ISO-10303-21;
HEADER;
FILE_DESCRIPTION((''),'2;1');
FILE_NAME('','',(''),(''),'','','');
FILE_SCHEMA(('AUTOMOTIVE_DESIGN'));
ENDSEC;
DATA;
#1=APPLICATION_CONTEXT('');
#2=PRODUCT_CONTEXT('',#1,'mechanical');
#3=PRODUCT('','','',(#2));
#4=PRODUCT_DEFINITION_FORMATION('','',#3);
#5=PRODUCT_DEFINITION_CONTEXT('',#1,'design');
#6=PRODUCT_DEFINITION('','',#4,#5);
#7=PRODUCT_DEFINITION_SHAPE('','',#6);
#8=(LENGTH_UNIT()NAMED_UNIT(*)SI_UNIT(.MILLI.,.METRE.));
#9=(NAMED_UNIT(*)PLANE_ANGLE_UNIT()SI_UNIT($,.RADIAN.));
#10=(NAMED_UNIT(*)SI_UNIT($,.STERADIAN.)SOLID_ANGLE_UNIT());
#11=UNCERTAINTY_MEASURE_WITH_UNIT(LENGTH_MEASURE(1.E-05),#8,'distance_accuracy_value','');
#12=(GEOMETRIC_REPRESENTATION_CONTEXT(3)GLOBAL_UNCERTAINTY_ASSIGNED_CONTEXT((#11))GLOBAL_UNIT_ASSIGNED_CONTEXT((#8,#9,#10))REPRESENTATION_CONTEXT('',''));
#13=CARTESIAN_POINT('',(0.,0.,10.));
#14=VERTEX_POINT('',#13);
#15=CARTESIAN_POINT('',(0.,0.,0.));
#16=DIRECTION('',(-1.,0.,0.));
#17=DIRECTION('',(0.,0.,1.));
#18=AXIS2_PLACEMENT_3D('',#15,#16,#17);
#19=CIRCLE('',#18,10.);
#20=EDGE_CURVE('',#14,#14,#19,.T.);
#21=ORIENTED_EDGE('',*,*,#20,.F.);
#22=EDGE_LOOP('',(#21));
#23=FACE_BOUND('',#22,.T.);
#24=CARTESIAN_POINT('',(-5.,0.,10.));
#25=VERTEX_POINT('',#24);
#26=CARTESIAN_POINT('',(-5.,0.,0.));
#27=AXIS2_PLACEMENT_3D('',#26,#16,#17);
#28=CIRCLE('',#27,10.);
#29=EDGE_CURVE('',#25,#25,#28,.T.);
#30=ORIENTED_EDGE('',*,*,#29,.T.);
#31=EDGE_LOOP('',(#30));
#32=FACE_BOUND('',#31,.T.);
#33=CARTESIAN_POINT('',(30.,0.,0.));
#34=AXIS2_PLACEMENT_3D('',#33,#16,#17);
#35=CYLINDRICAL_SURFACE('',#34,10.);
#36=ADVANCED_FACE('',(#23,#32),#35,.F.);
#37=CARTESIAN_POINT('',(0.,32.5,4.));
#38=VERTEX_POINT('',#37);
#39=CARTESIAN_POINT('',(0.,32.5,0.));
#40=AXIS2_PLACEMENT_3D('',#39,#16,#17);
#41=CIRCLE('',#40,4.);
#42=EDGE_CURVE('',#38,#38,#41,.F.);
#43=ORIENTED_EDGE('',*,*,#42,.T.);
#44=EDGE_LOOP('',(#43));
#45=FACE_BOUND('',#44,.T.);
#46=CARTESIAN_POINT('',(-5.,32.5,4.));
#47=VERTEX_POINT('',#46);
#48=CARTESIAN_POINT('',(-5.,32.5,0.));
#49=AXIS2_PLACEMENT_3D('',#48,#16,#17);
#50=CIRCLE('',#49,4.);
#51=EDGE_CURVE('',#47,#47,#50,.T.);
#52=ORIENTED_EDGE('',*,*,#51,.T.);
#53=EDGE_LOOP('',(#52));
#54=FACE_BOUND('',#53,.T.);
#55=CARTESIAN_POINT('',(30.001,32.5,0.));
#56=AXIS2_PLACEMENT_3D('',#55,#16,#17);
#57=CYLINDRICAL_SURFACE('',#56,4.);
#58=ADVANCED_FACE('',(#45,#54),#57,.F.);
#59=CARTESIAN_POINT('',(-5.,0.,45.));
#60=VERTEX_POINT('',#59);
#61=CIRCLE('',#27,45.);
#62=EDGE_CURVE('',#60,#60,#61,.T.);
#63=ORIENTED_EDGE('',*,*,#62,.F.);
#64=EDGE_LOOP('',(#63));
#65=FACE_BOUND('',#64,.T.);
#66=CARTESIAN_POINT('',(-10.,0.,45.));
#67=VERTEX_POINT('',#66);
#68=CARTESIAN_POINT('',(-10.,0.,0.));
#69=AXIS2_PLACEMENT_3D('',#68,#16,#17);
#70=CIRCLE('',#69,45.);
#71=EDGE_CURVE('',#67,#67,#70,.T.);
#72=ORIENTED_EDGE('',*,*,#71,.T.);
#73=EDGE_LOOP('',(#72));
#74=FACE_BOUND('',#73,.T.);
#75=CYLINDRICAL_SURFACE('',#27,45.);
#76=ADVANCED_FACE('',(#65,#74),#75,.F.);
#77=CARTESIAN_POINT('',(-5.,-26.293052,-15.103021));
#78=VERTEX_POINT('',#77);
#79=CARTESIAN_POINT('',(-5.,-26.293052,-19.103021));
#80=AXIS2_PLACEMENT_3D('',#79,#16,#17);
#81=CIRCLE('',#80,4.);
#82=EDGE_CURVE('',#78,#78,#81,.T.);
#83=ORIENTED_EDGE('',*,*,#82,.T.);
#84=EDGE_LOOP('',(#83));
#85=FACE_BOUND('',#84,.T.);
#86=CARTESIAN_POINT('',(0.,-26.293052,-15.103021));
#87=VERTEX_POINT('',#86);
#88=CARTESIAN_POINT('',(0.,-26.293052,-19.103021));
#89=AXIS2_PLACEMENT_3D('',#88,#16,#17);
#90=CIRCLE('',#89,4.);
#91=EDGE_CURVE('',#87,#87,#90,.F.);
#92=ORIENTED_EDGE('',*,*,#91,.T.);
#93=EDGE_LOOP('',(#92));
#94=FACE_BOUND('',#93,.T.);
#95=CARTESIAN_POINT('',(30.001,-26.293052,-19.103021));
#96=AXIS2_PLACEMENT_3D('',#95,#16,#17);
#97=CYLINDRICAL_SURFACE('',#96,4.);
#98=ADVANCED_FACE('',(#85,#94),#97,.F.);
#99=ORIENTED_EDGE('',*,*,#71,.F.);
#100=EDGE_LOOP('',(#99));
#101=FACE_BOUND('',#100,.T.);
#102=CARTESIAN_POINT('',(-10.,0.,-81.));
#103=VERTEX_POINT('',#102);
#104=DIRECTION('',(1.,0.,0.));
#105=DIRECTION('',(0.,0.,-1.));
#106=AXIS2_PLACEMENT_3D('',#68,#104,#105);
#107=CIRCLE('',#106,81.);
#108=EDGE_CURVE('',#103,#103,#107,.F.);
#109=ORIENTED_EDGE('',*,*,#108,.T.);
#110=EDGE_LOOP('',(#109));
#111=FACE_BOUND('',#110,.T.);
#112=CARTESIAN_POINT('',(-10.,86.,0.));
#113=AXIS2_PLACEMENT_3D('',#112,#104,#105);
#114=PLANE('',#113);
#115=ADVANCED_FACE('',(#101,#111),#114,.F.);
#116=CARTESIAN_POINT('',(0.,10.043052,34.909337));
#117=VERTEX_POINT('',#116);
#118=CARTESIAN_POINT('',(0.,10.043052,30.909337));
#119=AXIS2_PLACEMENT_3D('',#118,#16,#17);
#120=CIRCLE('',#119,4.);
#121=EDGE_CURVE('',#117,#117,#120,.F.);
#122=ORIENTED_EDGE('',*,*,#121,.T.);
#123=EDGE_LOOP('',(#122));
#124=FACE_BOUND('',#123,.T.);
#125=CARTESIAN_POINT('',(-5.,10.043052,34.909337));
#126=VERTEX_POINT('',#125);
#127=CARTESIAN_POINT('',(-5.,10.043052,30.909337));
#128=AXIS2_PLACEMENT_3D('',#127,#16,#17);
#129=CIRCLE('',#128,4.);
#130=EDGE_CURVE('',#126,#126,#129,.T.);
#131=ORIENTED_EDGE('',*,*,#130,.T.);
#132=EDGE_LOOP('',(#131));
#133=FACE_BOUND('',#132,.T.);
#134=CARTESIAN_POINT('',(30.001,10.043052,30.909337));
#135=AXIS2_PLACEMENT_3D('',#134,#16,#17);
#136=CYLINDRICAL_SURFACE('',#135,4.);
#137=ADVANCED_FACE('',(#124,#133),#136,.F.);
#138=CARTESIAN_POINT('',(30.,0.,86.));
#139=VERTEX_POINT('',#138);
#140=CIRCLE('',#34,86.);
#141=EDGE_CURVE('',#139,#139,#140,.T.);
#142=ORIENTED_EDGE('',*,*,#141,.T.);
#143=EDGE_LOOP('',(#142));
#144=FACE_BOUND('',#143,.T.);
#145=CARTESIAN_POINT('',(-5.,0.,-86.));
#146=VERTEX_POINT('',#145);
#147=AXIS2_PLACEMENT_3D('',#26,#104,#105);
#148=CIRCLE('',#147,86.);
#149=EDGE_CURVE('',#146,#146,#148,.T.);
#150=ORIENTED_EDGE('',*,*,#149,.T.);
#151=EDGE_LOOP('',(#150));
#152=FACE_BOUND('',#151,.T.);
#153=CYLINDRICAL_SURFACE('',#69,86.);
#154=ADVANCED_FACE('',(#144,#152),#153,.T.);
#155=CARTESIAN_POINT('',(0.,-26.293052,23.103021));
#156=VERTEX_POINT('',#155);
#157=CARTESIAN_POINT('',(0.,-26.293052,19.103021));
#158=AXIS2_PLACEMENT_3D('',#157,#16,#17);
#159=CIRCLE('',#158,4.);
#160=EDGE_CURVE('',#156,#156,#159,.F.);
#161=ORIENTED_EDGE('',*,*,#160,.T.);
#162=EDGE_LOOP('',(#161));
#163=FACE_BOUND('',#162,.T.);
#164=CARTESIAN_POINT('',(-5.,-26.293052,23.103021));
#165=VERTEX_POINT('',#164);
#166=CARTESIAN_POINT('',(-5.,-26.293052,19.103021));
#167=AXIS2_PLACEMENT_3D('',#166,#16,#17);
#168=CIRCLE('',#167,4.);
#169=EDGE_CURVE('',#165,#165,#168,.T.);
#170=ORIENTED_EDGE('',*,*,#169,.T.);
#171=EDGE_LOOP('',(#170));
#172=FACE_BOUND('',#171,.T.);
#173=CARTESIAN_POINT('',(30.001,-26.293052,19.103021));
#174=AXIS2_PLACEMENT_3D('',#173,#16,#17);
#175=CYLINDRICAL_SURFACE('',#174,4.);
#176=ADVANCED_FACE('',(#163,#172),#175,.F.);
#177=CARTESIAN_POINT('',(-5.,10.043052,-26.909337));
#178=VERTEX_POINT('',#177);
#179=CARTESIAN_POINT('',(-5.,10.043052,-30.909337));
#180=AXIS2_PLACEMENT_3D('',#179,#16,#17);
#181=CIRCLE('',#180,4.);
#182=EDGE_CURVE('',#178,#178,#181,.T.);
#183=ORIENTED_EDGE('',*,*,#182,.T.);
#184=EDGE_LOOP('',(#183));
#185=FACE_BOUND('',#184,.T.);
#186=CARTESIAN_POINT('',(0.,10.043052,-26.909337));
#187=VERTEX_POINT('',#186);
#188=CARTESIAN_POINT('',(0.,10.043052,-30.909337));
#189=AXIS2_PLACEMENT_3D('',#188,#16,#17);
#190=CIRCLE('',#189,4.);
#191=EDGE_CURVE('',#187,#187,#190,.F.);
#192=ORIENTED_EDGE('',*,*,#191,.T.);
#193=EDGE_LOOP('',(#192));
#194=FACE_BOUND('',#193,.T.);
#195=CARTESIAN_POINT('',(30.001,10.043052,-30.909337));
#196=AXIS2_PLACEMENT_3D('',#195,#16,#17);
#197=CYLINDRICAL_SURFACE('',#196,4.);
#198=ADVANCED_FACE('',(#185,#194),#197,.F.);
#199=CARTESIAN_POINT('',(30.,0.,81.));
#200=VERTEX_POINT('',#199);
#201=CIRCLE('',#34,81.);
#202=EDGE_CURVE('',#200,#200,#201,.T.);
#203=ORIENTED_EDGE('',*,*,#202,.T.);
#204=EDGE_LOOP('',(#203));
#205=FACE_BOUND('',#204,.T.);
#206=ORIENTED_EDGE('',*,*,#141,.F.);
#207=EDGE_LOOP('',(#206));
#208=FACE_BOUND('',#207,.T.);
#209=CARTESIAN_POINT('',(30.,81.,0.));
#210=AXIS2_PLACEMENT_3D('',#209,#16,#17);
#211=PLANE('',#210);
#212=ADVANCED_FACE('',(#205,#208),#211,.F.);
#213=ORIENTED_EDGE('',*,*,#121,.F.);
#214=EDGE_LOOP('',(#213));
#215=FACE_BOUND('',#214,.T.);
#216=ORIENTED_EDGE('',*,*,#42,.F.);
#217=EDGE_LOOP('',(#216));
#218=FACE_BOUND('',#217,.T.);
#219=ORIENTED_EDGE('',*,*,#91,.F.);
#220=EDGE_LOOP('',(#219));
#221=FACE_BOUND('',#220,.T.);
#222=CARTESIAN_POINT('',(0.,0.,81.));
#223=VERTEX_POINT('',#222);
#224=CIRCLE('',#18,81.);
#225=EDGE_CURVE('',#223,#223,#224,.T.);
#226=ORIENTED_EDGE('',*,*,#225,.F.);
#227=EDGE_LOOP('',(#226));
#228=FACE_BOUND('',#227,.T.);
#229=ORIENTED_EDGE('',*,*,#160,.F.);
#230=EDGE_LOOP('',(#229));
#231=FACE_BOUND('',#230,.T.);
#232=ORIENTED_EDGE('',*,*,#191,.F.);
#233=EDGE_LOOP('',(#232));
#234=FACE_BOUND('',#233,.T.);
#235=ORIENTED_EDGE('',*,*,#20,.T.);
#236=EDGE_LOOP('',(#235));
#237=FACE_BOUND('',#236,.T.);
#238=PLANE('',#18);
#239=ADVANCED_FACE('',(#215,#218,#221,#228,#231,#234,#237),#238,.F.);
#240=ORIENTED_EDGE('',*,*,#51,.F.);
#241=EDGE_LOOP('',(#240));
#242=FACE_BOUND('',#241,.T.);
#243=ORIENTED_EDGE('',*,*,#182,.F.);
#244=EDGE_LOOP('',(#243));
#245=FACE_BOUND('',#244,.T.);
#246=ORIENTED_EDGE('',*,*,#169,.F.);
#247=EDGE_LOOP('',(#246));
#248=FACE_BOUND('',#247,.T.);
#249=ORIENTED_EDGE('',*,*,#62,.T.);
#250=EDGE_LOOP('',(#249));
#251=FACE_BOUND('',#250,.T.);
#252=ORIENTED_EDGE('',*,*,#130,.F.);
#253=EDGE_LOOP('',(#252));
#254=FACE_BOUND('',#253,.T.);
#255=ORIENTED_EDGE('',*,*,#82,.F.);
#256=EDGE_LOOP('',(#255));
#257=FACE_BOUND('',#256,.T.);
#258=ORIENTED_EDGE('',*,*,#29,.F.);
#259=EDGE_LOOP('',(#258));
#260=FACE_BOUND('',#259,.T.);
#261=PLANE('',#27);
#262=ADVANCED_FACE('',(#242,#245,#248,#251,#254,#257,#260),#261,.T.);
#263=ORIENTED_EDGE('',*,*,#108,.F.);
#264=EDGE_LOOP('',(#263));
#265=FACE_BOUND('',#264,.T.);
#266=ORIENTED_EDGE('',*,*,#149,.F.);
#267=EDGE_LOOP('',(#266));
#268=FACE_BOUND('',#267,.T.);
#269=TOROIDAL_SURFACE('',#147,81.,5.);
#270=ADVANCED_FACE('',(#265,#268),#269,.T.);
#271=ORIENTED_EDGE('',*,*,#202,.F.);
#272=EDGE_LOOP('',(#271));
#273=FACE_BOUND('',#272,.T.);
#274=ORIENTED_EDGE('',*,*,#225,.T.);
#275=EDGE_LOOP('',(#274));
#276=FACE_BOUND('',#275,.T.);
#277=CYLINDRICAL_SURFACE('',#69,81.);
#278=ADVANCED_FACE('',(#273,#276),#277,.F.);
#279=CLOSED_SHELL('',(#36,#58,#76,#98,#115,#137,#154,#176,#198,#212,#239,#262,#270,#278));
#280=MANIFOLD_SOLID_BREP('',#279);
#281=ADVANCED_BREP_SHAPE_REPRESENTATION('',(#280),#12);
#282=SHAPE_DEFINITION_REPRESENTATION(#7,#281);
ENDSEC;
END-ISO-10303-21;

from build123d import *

# Parameters (mm, degrees)
FILLET1_R          = 5
SKETCH2_R          = 45
CUT_EXTRUDE1_DEPTH = 5
SKETCH3_R          = 10
CUT_EXTRUDE2_DEPTH = 41
CUT_EXTRUDE3_REACH = 37
SKETCH4_R          = 4


with BuildPart() as part:
    # Sketch1 → Revolve1 (revolve)
    with BuildSketch(Plane.XY):
        Polygon((0, 0), (0, 81), (30, 81), (30, 86), (-10, 86), (-10, 0), align=None)
    revolve(axis=Axis((-10, 0, 0), (1, 0, 0)))

    # Fillet1
    fillet1_edges = [part.edges().sort_by_distance(p)[0] for p in [
        (-10, -86, 0),
    ]]
    fillet(fillet1_edges, radius=FILLET1_R)

    # Sketch2 → Cut-Extrude1 (cut)
    with BuildSketch(Plane.ZY.offset(10)):
        Circle(SKETCH2_R)
    extrude(amount=-CUT_EXTRUDE1_DEPTH, mode=Mode.SUBTRACT)

    # Sketch3 → Cut-Extrude2 (cut, through all)
    with BuildSketch(Plane.ZY.offset(10)):
        Circle(SKETCH3_R)
    extrude(amount=-CUT_EXTRUDE2_DEPTH, mode=Mode.SUBTRACT)

    # Sketch4 → Cut-Extrude3 (cut, up to next)
    with BuildSketch(Plane.ZY.offset(5), mode=Mode.PRIVATE) as cut_extrude3_sk1:
        with Locations((0, 32.5)):
            Circle(SKETCH4_R)
    cut_extrude3_tool1 = extrude(cut_extrude3_sk1.sketch, amount=-CUT_EXTRUDE3_REACH, mode=Mode.PRIVATE) & part.part
    add(cut_extrude3_tool1.solids().sort_by_distance((-5, 32.5, 0))[0], mode=Mode.SUBTRACT)
    # Sketch4 → Cut-Extrude3 (cut, up to next)
    with BuildSketch(Plane.ZY.offset(5), mode=Mode.PRIVATE) as cut_extrude3_sk2:
        with Locations((30.90933678, 10.043052317)):
            Circle(SKETCH4_R)
    cut_extrude3_tool2 = extrude(cut_extrude3_sk2.sketch, amount=-CUT_EXTRUDE3_REACH, mode=Mode.PRIVATE) & part.part
    add(cut_extrude3_tool2.solids().sort_by_distance((-5, 10.043052, 30.909337))[0], mode=Mode.SUBTRACT)
    # Sketch4 → Cut-Extrude3 (cut, up to next)
    with BuildSketch(Plane.ZY.offset(5), mode=Mode.PRIVATE) as cut_extrude3_sk3:
        with Locations((19.1030207, -26.293052317)):
            Circle(SKETCH4_R)
    cut_extrude3_tool3 = extrude(cut_extrude3_sk3.sketch, amount=-CUT_EXTRUDE3_REACH, mode=Mode.PRIVATE) & part.part
    add(cut_extrude3_tool3.solids().sort_by_distance((-5, -26.293052, 19.103021))[0], mode=Mode.SUBTRACT)
    # Sketch4 → Cut-Extrude3 (cut, up to next)
    with BuildSketch(Plane.ZY.offset(5), mode=Mode.PRIVATE) as cut_extrude3_sk4:
        with Locations((-19.1030207, -26.293052317)):
            Circle(SKETCH4_R)
    cut_extrude3_tool4 = extrude(cut_extrude3_sk4.sketch, amount=-CUT_EXTRUDE3_REACH, mode=Mode.PRIVATE) & part.part
    add(cut_extrude3_tool4.solids().sort_by_distance((-5, -26.293052, -19.103021))[0], mode=Mode.SUBTRACT)
    # Sketch4 → Cut-Extrude3 (cut, up to next)
    with BuildSketch(Plane.ZY.offset(5), mode=Mode.PRIVATE) as cut_extrude3_sk5:
        with Locations((-30.90933678, 10.043052317)):
            Circle(SKETCH4_R)
    cut_extrude3_tool5 = extrude(cut_extrude3_sk5.sketch, amount=-CUT_EXTRUDE3_REACH, mode=Mode.PRIVATE) & part.part
    add(cut_extrude3_tool5.solids().sort_by_distance((-5, 10.043052, -30.909337))[0], mode=Mode.SUBTRACT)


solid = part.part
